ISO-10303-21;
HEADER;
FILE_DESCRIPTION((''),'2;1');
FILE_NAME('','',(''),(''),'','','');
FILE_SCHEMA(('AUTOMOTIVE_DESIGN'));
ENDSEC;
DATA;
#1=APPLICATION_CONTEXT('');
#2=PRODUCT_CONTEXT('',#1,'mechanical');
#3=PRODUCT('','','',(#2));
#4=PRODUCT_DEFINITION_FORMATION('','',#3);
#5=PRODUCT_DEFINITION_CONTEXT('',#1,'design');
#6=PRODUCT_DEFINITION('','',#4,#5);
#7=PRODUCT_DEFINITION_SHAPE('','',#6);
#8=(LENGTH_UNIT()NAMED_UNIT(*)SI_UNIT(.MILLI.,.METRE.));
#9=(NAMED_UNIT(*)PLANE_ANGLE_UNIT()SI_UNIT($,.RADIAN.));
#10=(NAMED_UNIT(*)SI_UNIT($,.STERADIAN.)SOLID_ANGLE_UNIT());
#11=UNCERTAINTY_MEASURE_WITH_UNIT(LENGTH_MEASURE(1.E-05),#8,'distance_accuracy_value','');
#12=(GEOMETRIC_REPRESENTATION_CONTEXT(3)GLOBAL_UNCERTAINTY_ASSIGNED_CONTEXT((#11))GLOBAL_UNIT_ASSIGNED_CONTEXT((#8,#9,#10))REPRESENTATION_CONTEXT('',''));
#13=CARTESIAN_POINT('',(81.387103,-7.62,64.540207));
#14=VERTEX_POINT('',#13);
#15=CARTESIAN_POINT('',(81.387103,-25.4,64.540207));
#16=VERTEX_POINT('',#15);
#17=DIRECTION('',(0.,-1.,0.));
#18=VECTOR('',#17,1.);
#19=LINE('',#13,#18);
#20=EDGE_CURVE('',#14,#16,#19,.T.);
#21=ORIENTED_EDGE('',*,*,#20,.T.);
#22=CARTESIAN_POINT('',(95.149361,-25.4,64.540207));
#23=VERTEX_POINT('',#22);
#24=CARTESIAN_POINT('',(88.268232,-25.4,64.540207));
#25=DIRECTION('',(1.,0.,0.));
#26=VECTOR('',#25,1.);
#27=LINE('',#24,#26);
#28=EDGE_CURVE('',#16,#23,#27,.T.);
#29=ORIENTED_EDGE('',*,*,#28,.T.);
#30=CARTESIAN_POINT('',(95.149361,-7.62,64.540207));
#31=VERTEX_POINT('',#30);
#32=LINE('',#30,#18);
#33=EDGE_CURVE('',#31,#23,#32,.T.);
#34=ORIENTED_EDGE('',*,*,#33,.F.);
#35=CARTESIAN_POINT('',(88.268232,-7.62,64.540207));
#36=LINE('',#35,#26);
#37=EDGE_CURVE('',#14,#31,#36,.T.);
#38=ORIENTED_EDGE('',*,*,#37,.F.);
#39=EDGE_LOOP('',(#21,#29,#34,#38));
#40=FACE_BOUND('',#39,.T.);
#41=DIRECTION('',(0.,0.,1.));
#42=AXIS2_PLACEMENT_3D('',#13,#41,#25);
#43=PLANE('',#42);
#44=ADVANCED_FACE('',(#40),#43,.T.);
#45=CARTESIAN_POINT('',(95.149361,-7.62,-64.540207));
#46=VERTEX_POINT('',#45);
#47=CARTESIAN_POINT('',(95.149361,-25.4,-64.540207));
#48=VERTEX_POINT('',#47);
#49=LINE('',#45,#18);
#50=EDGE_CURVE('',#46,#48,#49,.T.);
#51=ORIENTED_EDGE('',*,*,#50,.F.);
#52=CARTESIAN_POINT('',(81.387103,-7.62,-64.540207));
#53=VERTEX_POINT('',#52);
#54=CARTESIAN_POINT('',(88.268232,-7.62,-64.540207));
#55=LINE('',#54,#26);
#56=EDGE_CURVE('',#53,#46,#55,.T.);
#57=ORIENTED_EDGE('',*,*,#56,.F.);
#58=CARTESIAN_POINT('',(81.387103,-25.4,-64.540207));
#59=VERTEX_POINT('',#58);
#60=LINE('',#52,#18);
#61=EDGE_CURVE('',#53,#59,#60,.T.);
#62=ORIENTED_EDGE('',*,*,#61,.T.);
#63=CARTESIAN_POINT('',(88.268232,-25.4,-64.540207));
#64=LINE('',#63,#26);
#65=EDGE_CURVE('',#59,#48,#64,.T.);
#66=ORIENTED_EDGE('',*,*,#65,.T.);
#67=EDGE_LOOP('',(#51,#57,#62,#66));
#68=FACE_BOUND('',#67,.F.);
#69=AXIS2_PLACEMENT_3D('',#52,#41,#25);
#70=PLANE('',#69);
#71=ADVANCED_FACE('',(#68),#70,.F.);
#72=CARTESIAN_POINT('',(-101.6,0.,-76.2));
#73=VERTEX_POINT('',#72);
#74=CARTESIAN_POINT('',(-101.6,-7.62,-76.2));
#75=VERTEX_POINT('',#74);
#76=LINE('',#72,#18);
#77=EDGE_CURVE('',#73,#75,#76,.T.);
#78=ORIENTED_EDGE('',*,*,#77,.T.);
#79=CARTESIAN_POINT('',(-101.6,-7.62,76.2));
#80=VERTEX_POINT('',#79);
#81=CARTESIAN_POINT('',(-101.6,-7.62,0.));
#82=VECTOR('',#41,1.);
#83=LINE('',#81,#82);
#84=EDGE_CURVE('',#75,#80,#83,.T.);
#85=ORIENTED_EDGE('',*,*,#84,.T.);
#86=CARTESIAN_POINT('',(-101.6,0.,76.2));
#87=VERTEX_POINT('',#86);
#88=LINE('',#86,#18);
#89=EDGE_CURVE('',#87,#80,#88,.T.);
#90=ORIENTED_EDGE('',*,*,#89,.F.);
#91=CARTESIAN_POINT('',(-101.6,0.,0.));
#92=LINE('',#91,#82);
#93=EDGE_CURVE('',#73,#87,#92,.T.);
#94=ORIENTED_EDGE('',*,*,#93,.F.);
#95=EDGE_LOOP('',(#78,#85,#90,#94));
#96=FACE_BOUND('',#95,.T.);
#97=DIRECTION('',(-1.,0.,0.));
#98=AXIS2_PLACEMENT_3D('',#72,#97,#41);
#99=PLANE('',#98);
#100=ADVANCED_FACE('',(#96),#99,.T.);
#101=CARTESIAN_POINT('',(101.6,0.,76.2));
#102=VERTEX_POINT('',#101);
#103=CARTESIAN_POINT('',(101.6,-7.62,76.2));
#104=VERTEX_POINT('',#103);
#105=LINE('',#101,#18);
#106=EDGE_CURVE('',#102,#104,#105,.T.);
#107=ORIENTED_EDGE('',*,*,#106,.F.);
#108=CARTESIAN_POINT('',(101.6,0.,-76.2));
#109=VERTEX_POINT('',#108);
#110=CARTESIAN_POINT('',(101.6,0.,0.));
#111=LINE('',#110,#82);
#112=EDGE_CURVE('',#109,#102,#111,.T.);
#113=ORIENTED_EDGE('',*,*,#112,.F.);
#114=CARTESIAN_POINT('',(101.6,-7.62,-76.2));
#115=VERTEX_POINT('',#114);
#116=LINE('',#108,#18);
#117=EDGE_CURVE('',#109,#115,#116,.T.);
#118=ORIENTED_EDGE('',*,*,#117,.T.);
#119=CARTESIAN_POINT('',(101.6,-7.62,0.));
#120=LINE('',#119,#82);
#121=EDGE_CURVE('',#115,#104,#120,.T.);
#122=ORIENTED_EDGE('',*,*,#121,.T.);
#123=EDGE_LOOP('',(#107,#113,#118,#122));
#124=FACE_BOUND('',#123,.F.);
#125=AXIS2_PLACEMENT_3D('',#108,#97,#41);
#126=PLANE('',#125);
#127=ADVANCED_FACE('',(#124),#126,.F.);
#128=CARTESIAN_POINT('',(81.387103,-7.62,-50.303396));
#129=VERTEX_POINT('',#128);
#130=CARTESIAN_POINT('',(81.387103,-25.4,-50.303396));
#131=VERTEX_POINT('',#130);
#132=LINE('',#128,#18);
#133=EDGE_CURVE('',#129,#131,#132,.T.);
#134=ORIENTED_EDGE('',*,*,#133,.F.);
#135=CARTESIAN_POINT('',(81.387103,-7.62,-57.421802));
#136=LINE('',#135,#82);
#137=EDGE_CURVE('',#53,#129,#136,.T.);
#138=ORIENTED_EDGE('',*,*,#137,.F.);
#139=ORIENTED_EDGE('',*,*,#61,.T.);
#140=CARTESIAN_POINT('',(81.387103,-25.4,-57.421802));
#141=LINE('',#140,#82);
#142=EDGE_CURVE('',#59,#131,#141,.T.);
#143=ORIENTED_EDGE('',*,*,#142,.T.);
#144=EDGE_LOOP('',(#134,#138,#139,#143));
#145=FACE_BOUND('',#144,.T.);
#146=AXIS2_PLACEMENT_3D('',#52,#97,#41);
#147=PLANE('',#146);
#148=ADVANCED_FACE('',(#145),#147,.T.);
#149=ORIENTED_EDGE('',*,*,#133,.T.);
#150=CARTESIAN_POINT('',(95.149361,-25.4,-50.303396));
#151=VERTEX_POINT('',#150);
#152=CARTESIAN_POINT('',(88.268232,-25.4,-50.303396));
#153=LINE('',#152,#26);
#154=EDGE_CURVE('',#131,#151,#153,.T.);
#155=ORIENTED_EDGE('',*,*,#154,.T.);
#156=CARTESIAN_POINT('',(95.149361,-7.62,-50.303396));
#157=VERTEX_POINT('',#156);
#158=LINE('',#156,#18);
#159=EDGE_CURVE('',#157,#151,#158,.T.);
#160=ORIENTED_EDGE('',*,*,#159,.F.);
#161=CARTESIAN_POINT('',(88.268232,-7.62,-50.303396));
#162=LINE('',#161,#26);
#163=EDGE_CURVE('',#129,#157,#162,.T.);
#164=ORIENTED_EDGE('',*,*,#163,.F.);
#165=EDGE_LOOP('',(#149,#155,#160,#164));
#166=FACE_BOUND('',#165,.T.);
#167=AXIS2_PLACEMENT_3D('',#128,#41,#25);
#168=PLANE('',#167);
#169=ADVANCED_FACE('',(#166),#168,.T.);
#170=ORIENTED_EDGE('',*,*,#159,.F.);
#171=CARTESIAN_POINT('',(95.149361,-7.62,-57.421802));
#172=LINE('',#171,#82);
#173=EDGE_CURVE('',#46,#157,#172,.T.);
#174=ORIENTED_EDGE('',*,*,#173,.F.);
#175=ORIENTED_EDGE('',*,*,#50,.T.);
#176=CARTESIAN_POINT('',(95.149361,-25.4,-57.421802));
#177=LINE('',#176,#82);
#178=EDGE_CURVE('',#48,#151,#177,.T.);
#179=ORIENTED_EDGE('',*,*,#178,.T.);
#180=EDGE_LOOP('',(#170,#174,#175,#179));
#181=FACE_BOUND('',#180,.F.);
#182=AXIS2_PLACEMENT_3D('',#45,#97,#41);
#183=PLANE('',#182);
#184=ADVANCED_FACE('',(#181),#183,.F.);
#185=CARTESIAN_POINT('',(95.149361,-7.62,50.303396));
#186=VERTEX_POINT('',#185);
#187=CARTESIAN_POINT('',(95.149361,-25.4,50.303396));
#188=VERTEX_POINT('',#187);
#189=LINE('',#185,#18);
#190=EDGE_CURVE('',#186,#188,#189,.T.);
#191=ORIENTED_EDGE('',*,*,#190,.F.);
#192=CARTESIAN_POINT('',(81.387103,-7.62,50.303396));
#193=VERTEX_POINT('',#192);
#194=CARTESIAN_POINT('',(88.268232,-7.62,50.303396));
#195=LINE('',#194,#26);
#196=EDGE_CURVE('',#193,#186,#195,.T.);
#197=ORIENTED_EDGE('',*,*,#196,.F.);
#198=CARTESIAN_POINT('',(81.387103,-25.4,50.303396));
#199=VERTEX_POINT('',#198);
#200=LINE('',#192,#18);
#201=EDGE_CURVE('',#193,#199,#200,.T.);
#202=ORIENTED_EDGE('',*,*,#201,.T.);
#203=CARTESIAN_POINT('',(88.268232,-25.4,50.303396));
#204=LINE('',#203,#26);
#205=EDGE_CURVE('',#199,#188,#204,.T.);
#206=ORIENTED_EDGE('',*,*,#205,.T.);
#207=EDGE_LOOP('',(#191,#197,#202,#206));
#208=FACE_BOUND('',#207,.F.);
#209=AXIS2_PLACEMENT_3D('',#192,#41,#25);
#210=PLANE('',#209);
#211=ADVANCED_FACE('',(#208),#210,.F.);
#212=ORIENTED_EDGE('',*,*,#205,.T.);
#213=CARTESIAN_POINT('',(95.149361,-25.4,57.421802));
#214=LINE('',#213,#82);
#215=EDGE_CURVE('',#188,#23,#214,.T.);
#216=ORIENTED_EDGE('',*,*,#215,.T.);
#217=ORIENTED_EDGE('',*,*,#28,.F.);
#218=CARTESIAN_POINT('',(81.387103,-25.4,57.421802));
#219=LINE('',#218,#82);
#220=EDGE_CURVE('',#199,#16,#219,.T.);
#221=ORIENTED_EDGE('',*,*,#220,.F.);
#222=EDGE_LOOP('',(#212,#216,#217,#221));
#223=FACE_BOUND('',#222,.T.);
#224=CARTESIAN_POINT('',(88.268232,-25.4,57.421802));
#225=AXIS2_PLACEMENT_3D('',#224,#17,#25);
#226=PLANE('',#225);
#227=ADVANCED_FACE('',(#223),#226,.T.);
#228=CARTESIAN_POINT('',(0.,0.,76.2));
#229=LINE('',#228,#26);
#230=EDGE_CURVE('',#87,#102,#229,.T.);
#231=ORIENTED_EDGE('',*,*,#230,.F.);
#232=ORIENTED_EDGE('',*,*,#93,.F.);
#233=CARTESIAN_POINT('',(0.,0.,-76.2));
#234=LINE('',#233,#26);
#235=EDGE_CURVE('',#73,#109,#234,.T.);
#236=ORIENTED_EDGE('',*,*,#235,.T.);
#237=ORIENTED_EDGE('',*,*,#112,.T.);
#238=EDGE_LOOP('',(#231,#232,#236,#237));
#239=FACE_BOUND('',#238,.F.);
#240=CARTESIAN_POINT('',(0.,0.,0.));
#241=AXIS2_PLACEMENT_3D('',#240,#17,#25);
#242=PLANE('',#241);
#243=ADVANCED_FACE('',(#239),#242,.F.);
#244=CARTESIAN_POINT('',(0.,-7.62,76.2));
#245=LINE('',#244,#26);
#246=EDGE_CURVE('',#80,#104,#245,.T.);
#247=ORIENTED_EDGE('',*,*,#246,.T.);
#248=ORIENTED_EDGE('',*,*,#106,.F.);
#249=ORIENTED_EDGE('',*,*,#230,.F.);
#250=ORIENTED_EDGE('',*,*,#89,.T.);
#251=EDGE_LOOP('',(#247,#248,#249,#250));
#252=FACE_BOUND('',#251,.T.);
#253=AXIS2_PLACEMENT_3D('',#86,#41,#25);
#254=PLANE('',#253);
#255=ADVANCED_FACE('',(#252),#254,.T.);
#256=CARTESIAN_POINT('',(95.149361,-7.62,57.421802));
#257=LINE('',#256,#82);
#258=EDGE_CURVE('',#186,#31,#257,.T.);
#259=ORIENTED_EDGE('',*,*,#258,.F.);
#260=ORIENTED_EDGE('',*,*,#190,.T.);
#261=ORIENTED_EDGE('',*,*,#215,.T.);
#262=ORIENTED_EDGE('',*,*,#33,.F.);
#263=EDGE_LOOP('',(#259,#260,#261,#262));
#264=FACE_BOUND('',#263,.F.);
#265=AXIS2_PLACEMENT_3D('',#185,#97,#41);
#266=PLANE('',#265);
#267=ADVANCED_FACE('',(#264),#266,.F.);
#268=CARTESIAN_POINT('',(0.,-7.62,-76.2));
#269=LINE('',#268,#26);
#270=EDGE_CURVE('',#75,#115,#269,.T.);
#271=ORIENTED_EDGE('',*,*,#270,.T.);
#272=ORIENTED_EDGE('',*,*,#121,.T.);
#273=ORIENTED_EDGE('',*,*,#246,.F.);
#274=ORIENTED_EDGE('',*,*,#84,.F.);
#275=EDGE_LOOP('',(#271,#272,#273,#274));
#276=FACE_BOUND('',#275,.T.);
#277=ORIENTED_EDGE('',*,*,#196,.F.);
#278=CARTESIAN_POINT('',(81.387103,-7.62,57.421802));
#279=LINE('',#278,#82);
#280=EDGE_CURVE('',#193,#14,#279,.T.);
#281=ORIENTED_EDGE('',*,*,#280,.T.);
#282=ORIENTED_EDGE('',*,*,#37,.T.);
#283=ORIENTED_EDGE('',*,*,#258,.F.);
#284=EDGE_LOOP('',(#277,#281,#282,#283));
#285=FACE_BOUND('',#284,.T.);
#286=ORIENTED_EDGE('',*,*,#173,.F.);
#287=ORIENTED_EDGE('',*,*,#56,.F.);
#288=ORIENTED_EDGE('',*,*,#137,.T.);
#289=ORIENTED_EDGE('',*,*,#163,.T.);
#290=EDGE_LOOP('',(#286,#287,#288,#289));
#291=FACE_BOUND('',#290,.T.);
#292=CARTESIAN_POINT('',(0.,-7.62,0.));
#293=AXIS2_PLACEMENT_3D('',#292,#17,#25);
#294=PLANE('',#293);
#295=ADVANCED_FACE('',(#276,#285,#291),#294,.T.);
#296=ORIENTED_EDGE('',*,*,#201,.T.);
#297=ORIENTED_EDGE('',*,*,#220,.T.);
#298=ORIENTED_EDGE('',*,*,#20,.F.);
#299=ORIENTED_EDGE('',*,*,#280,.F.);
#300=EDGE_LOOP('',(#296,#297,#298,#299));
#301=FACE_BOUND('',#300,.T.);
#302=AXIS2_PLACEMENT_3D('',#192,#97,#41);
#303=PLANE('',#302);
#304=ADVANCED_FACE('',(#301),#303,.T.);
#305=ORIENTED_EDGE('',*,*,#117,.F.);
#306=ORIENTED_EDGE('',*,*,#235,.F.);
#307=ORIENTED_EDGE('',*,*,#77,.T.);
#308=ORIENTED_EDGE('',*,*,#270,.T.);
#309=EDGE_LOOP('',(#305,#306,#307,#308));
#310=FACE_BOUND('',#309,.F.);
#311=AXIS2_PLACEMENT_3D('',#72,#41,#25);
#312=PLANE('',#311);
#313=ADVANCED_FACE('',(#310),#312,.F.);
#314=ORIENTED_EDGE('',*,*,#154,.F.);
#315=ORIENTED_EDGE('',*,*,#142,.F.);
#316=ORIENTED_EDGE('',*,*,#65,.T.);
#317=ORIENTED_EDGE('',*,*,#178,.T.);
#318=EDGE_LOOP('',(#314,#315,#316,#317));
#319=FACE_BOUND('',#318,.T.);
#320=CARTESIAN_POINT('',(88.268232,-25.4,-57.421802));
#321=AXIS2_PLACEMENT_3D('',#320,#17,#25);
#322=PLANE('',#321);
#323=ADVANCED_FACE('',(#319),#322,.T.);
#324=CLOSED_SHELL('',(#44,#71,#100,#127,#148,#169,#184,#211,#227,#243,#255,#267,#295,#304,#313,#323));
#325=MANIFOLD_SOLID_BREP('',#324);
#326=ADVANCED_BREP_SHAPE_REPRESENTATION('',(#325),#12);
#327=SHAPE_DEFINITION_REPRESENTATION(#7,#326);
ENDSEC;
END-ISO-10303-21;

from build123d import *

# Parameters (mm, degrees)
F0_W     = 203.2
F0_H     = 152.4
F1_DEPTH = 7.62
F2_W     = 13.762258
F2_H     = 14.236811
F3_DEPTH = 17.78


with BuildPart() as f1:
    # F0 (on Front) → F1 (new body)
    with BuildSketch(Plane.XZ):
        Rectangle(F0_W, F0_H)
    extrude(amount=F1_DEPTH)

    # F2 (on face) → F3 (join)
    with BuildSketch(Plane.XZ.offset(7.62)):
        with Locations((88.268232, 57.421802)):
            Rectangle(F2_W, F2_H)
        with Locations((88.268232, -57.421802)):
            Rectangle(F2_W, F2_H)
    extrude(amount=F3_DEPTH)


solid = f1.part
